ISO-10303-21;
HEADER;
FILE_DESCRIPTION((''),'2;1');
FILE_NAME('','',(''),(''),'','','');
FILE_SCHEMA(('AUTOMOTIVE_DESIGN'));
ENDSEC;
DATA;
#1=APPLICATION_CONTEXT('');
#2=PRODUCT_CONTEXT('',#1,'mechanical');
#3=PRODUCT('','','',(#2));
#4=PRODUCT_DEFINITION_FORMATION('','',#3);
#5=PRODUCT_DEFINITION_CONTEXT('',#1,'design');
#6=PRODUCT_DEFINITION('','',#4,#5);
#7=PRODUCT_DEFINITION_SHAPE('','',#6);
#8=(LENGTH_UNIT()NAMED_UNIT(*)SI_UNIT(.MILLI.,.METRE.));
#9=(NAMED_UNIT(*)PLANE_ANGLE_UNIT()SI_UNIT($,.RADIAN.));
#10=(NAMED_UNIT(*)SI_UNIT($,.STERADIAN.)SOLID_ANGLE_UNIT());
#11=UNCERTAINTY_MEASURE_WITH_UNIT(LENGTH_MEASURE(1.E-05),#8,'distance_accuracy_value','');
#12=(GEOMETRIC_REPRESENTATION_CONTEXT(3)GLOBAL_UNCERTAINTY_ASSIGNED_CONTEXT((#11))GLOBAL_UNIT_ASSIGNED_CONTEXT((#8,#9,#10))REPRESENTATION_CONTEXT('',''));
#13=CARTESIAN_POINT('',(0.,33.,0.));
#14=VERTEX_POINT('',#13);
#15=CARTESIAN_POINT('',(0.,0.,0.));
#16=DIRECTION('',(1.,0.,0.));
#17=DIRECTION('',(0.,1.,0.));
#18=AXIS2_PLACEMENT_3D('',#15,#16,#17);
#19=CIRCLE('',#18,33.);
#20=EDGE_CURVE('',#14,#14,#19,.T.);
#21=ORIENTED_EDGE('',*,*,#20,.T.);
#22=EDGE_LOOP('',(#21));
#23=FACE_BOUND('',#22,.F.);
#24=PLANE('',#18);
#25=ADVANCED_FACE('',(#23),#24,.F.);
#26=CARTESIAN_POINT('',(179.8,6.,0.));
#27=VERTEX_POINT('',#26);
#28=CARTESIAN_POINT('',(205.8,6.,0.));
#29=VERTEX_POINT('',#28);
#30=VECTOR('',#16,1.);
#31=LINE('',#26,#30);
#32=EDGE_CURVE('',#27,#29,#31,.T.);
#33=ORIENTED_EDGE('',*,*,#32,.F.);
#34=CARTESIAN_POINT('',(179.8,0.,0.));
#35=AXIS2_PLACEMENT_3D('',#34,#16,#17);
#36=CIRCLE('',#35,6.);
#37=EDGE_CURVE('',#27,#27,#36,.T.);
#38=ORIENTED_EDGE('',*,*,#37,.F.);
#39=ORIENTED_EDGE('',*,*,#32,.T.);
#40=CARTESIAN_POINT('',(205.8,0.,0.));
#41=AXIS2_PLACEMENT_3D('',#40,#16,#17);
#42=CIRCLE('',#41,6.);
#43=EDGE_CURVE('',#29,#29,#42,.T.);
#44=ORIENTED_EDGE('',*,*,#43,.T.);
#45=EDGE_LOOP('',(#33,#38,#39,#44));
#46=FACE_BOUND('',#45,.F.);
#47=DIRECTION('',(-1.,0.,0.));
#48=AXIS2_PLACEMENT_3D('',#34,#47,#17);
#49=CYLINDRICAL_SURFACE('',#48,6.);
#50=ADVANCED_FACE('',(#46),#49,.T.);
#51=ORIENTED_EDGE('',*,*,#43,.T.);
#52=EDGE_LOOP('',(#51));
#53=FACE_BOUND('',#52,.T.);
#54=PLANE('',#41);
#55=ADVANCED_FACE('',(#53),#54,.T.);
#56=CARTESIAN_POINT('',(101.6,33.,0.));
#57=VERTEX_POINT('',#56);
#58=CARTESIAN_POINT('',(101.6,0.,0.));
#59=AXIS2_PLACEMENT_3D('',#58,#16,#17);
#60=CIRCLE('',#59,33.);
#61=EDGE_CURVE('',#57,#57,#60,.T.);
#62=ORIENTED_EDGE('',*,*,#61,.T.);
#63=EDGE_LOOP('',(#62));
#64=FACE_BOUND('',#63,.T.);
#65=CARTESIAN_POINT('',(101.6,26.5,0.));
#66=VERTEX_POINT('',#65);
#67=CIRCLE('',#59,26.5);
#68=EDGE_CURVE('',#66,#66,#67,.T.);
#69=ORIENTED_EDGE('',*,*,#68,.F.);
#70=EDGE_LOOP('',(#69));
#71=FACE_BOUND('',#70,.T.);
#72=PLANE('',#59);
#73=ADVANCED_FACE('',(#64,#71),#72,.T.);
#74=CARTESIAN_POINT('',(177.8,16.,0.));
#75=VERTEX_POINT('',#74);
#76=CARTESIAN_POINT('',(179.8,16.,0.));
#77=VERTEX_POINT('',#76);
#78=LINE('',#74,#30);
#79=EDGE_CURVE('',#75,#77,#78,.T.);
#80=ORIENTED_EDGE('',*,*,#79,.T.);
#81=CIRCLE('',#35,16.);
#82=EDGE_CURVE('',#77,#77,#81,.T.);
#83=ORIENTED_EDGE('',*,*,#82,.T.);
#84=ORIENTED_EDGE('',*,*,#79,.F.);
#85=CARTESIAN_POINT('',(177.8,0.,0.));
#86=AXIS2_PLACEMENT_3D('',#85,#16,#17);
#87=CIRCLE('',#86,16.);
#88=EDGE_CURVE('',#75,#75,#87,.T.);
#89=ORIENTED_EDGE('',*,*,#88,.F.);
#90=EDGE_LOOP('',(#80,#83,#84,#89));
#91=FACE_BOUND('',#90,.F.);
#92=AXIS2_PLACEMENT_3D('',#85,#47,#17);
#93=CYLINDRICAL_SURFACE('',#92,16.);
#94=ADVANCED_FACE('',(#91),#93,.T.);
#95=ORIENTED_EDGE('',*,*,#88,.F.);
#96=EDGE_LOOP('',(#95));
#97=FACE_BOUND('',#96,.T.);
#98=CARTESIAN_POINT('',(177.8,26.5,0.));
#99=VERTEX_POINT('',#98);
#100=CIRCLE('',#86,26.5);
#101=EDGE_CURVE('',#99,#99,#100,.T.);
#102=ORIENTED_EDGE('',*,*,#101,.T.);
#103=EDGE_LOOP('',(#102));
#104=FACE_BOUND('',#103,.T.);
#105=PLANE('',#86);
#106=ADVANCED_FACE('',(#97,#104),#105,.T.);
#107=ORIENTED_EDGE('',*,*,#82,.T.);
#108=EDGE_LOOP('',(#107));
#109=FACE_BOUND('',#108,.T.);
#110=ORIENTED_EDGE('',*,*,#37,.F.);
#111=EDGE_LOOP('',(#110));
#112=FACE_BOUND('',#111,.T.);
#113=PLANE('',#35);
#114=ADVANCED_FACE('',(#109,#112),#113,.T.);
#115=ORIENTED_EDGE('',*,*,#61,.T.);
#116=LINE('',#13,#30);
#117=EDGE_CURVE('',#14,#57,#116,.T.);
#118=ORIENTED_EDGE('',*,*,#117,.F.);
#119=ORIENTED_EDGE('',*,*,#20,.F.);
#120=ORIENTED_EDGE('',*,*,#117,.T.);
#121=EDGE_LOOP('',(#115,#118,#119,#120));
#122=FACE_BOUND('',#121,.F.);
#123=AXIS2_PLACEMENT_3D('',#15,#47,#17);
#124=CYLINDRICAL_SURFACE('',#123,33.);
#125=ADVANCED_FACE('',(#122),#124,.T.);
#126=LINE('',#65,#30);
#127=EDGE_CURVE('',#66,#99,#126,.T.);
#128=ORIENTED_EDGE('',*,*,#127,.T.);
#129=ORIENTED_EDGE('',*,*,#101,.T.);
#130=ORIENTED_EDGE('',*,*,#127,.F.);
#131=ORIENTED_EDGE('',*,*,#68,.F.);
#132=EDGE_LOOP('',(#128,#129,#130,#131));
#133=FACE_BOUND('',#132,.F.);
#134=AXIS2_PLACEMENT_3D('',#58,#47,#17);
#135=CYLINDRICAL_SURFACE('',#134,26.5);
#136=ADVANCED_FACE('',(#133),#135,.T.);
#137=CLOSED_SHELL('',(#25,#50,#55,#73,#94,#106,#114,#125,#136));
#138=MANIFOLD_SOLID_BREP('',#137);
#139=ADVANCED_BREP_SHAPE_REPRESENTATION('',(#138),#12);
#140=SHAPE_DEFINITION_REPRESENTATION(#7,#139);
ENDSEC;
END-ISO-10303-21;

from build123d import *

# Parameters (mm, degrees)
F0_R     = 33
F1_DEPTH = 101.6
F2_R     = 26.5
F3_DEPTH = 76.2
F4_R     = 16
F5_DEPTH = 2
F6_R     = 6
F7_DEPTH = 26


with BuildPart() as f1:
    # F0 (on Right) → F1 (new body)
    with BuildSketch(Plane.YZ):
        Circle(F0_R)
    extrude(amount=F1_DEPTH)

    # F2 (on face) → F3 (join)
    with BuildSketch(Plane.YZ.offset(101.6)):
        Circle(F2_R)
    extrude(amount=F3_DEPTH)

    # F4 (on face) → F5 (join)
    with BuildSketch(Plane.YZ.offset(177.8)):
        Circle(F4_R)
    extrude(amount=F5_DEPTH)

    # F6 (on face) → F7 (join)
    with BuildSketch(Plane.YZ.offset(179.8)):
        Circle(F6_R)
    extrude(amount=F7_DEPTH)


solid = f1.part
